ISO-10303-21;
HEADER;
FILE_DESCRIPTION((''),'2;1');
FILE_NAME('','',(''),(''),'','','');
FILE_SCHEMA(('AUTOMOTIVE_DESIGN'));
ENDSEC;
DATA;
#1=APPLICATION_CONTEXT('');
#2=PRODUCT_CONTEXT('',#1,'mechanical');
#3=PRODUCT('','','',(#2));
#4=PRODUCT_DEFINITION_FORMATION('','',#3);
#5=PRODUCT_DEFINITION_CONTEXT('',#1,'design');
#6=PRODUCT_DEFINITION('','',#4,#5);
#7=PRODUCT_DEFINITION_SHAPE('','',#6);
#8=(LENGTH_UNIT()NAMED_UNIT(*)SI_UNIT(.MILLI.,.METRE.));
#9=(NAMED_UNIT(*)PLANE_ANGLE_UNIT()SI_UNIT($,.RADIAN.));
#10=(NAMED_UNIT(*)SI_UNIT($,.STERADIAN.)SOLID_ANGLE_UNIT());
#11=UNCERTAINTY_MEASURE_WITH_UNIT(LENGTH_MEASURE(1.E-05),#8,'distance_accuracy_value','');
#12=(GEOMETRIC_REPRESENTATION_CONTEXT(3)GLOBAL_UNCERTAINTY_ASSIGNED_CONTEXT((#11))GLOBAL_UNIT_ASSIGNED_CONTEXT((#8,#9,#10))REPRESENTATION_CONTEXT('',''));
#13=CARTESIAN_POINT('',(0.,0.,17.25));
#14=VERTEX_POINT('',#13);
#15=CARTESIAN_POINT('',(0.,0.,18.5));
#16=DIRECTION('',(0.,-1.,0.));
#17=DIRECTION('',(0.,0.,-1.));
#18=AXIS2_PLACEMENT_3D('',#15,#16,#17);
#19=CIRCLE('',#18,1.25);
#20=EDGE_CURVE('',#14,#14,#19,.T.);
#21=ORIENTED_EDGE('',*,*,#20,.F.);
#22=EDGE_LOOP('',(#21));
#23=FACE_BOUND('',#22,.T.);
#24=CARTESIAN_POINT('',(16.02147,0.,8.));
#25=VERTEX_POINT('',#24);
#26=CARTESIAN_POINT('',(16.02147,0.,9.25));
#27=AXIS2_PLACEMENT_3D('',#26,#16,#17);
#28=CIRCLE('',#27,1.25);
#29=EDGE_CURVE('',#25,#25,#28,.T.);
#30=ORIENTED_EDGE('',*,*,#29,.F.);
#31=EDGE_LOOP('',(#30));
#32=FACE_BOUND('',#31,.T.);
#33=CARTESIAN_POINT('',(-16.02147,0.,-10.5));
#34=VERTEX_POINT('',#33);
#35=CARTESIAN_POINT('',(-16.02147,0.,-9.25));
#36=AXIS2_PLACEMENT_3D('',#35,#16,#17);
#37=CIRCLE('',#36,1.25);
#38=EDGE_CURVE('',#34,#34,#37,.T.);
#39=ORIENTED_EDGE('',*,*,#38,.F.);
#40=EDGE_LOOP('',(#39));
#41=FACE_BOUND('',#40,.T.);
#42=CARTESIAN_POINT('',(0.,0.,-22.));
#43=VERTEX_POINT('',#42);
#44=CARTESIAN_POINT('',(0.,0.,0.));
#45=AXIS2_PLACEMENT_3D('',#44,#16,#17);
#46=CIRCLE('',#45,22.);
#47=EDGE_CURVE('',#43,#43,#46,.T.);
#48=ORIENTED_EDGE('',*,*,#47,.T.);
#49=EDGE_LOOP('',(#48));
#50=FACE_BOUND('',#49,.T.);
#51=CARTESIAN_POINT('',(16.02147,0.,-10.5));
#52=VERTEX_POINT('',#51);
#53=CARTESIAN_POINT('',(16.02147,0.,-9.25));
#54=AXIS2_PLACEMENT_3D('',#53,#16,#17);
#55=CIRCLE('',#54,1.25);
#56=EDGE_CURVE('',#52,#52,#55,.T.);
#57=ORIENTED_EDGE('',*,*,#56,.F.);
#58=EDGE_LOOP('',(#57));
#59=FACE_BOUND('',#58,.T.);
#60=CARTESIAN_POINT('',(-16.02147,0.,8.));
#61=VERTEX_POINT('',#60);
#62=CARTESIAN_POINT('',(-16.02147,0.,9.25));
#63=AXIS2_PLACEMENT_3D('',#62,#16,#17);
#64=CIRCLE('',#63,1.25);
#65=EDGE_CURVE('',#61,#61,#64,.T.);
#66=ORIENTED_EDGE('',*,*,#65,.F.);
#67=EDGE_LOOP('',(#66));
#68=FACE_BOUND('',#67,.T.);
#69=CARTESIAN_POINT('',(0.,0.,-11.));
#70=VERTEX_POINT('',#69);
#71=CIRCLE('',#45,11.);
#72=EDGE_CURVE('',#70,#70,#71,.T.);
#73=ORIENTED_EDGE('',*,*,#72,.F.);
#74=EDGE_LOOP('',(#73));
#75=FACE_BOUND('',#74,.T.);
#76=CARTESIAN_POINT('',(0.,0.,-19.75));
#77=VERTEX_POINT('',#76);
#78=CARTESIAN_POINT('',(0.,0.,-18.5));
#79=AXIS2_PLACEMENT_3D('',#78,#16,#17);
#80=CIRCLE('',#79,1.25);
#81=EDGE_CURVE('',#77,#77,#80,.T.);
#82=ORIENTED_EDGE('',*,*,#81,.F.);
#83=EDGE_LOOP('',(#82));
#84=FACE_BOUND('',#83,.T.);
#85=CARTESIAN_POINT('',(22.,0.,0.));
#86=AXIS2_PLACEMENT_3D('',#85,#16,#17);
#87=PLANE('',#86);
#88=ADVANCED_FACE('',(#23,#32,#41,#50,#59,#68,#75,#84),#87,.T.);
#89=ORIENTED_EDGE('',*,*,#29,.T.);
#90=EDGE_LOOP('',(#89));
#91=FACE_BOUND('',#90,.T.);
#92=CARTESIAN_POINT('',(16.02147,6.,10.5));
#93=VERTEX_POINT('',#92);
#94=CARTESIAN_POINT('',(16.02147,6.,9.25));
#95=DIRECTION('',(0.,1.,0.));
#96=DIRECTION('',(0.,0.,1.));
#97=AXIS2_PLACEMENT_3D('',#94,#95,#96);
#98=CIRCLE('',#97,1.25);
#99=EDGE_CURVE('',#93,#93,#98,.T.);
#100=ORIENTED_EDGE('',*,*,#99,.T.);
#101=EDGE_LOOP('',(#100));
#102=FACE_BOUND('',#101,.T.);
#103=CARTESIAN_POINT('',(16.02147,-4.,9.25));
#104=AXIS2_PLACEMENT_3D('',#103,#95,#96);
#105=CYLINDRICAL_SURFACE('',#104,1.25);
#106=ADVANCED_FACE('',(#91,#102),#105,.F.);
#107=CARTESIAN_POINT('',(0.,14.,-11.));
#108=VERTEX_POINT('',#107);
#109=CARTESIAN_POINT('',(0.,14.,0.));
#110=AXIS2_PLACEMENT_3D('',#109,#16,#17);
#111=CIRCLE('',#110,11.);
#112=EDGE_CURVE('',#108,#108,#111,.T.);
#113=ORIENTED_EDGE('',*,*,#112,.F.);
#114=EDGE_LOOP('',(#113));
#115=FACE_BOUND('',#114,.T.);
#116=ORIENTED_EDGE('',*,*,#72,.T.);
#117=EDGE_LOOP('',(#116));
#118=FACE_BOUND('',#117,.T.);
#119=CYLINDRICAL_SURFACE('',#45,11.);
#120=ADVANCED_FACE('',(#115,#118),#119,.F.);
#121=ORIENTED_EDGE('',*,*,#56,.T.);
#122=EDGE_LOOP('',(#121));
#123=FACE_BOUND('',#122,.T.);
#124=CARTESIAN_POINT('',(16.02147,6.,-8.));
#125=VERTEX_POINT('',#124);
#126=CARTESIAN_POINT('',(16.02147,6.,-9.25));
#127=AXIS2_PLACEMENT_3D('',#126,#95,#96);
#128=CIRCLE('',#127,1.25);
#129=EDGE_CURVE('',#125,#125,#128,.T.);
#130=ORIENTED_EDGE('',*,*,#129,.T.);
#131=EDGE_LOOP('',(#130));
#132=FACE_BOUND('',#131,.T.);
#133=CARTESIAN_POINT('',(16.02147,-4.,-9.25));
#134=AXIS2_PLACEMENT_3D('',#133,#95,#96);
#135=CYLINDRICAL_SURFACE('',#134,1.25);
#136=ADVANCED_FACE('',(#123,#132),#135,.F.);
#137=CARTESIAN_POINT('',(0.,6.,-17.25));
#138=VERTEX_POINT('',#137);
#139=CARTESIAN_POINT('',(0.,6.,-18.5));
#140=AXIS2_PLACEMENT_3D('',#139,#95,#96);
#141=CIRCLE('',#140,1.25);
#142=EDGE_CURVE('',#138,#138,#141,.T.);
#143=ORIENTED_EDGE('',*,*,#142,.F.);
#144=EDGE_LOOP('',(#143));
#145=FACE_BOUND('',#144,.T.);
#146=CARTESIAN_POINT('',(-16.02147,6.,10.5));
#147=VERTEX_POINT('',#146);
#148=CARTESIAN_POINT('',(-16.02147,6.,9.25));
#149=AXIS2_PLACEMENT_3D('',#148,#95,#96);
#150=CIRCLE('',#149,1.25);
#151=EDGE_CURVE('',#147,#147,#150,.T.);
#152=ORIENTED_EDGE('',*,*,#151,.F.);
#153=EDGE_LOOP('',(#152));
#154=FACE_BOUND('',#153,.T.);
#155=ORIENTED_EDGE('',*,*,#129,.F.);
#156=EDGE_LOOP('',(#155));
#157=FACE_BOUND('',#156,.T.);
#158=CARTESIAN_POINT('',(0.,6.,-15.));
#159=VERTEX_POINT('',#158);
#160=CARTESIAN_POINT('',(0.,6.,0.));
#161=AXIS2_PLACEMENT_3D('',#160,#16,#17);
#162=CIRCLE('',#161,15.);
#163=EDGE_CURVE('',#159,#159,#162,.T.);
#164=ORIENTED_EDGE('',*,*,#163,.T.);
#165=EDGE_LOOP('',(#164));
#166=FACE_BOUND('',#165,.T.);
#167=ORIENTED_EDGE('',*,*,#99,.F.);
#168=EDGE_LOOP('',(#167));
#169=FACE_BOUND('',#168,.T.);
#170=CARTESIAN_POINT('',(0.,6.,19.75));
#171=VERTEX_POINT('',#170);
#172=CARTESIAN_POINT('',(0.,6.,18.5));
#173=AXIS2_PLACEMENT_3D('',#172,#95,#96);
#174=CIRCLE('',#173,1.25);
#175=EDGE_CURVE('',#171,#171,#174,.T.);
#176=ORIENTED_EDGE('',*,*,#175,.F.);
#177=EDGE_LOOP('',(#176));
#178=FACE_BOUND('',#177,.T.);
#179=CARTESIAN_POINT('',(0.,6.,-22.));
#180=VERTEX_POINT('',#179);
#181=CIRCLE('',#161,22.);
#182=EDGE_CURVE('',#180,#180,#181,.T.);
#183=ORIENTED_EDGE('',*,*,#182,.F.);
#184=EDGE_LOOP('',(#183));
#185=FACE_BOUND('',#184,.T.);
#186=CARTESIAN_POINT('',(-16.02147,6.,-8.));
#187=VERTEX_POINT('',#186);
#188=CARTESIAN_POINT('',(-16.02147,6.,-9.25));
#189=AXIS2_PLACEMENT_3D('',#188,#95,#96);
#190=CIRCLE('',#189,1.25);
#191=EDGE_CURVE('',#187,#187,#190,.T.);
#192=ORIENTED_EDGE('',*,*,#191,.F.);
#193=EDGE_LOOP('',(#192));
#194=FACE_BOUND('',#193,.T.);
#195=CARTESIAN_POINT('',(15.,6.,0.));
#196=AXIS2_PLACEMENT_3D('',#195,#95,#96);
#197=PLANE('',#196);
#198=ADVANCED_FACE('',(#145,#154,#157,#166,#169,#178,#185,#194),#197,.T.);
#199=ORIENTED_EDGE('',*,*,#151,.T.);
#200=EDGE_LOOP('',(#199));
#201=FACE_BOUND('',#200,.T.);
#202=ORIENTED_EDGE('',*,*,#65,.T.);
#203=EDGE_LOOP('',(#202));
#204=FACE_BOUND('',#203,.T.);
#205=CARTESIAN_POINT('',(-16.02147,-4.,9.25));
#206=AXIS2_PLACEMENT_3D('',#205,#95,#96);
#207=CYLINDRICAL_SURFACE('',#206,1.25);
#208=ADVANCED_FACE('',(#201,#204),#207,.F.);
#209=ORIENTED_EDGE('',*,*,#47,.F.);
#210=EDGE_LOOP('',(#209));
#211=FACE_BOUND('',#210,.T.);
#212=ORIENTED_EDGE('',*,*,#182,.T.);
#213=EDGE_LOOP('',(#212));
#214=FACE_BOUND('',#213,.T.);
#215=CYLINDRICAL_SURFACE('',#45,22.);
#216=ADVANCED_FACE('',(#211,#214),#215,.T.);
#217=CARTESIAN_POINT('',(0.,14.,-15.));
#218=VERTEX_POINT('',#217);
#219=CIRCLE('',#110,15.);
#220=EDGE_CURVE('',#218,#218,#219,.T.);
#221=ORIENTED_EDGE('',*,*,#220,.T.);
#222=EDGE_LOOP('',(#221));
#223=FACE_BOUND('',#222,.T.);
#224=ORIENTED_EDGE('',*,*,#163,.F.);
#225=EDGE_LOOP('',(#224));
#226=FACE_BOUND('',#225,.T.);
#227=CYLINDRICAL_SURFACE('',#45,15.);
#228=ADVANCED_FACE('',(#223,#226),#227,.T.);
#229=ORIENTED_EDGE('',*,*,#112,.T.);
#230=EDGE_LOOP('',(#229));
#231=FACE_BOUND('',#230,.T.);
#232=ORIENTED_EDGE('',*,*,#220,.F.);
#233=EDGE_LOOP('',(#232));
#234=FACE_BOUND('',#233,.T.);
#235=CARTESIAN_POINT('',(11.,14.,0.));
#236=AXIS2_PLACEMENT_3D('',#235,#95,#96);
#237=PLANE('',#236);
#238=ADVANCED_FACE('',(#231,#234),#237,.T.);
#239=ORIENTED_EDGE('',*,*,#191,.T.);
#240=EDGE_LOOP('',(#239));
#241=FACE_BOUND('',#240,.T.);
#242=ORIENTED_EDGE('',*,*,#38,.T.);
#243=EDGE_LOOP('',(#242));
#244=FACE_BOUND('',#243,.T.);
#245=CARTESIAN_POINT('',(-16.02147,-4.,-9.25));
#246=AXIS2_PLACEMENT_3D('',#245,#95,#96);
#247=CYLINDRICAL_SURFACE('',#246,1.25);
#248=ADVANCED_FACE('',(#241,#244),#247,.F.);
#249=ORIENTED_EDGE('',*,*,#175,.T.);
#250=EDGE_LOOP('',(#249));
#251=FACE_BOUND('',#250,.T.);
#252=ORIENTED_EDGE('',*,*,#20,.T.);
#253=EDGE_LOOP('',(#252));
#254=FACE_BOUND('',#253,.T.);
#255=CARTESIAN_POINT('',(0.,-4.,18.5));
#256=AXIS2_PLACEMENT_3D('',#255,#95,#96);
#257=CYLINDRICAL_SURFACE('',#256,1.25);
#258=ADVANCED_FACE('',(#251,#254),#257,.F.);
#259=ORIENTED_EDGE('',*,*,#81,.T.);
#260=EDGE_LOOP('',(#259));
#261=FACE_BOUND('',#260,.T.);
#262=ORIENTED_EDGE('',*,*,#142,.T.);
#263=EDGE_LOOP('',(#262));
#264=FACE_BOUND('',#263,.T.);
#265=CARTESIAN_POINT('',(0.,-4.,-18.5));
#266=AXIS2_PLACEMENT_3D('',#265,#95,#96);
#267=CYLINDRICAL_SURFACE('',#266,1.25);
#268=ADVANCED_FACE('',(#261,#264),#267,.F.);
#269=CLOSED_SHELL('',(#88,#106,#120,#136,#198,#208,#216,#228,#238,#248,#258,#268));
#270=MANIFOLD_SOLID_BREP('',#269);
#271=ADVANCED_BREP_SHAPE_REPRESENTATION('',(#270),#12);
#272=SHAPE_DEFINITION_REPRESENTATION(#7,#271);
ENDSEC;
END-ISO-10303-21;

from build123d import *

# Parameters (mm, degrees)
SKETCH2_R          = 1.25
CUT_EXTRUDE1_DEPTH = 10


with BuildPart() as part:
    # Sketch1 → Revolve1 (revolve)
    with BuildSketch(Plane.XY, mode=Mode.PRIVATE) as revolve1_sk:
        Polygon((11, 0), (11, 14), (15, 14), (15, 6), (22, 6), (22, 0), align=None)
    revolve(revolve1_sk.sketch.rotate(Axis((0, 0, 0), (0, 1, 0)), 90), axis=Axis((0, 0, 0), (0, 1, 0)))

    # Sketch2 → Cut-Extrude1 (cut)
    with BuildSketch(Plane(origin=(0, 6, 0), x_dir=(1, 0, 0), z_dir=(0, 1, 0))):
        with Locations(Location((0, 18.5, 0), (0, 0, 270))):
            Circle(SKETCH2_R)
        with Locations(Location((16.02146997, 9.25, 0), (0, 0, 270))):
            Circle(SKETCH2_R)
        with Locations(Location((16.02146997, -9.25, 0), (0, 0, 270))):
            Circle(SKETCH2_R)
        with Locations(Location((0, -18.5, 0), (0, 0, 270))):
            Circle(SKETCH2_R)
        with Locations(Location((-16.02146997, -9.25, 0), (0, 0, 270))):
            Circle(SKETCH2_R)
        with Locations(Location((-16.02146997, 9.25, 0), (0, 0, 270))):
            Circle(SKETCH2_R)
    extrude(amount=-CUT_EXTRUDE1_DEPTH, mode=Mode.SUBTRACT)


solid = part.part
